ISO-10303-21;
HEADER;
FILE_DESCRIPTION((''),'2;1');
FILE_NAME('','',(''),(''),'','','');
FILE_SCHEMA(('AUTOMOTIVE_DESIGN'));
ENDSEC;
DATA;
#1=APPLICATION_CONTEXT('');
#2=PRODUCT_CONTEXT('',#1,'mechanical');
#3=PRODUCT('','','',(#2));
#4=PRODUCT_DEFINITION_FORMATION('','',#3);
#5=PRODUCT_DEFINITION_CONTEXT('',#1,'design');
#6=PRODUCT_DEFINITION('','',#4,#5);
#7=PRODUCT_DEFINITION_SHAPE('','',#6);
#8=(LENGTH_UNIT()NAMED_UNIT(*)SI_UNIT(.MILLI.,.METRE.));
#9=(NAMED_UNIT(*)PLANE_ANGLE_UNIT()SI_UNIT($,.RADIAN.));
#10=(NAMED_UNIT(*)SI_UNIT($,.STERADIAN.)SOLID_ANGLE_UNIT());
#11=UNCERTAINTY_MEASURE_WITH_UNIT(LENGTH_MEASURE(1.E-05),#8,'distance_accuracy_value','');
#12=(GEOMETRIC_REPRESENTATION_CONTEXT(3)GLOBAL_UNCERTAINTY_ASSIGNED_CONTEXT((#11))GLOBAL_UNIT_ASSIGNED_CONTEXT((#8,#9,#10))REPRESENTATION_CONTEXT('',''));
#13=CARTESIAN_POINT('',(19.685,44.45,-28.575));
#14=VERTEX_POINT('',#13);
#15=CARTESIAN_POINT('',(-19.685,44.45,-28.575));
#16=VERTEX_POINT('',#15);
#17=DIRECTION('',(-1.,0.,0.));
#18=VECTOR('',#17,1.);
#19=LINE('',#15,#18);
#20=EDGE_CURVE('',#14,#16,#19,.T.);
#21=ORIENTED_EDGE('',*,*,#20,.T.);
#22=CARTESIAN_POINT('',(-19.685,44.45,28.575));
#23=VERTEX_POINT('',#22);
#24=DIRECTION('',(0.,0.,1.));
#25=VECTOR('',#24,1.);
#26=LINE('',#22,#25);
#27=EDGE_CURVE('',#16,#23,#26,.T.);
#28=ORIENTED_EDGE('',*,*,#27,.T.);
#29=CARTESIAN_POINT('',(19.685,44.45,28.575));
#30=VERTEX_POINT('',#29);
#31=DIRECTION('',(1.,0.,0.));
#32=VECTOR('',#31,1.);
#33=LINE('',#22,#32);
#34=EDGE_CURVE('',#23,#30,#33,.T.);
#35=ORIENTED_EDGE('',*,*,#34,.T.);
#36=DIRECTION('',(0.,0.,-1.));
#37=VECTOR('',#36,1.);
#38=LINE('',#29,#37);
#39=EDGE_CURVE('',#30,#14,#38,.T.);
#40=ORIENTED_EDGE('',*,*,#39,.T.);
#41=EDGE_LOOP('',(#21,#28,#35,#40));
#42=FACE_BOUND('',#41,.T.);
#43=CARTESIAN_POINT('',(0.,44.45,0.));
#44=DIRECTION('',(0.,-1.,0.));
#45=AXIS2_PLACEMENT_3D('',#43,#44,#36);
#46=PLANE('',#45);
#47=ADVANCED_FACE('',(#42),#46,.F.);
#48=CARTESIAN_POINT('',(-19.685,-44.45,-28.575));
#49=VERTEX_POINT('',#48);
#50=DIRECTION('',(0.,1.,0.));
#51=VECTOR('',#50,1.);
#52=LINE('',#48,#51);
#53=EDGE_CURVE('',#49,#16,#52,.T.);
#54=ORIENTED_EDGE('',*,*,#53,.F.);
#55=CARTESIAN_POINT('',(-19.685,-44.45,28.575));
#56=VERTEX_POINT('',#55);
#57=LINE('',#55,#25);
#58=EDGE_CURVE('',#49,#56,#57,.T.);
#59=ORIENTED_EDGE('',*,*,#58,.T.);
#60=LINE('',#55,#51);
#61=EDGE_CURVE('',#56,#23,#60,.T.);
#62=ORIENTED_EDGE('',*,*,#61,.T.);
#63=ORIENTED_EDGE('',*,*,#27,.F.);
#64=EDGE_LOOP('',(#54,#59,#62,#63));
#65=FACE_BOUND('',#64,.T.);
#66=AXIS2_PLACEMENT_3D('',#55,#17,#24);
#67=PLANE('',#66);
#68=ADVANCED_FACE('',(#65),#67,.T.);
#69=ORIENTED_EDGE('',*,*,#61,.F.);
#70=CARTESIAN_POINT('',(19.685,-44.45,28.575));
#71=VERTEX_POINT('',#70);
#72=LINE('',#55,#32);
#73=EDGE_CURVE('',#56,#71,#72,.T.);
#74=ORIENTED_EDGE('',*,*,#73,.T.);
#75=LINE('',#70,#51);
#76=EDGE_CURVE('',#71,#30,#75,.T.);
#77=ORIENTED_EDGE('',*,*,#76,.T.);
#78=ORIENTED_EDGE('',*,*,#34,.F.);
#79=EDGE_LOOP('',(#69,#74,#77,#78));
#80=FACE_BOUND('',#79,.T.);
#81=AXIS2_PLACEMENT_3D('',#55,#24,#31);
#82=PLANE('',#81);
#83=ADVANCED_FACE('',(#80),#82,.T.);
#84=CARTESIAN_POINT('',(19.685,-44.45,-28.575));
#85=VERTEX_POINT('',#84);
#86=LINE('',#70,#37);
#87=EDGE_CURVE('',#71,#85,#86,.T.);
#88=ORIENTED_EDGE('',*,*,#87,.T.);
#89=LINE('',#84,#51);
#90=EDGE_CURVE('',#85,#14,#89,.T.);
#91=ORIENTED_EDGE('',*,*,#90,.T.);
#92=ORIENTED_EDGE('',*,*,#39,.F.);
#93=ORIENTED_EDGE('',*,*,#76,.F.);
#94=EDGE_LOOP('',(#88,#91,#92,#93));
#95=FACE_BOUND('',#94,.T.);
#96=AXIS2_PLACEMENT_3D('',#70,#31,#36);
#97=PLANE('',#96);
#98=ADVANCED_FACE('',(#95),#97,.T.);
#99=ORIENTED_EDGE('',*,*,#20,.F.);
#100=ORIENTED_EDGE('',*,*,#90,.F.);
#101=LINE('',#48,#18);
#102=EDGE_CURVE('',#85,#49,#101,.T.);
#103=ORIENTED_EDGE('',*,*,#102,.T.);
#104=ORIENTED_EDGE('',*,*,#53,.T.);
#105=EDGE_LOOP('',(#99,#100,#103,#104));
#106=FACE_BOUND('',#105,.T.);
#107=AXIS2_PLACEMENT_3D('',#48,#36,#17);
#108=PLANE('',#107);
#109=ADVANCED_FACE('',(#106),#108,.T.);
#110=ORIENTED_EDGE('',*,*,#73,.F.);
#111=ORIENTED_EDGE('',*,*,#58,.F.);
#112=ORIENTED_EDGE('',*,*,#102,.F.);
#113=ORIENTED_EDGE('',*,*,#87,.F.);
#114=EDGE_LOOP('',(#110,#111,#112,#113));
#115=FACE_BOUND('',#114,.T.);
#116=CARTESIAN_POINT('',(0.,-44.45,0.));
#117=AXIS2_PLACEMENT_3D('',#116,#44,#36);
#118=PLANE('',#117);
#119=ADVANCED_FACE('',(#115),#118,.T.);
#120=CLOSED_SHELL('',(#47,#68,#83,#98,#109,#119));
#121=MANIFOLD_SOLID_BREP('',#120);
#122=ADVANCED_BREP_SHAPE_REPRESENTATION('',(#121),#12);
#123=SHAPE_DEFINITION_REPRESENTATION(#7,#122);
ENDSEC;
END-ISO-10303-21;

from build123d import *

# Parameters (mm, degrees)
BOSS_EXTRUDE1_DEPTH      = 44.45
BOSS_EXTRUDE1_DEPTH_BACK = 44.45
SKETCH1_W                = 39.37
SKETCH1_H                = 57.15


with BuildPart() as part:
    # Sketch1 → Boss-Extrude1 (new, two sides: drawn at the far end of the back side and taken through both)
    with BuildSketch(Plane(origin=(0, 0, 0), x_dir=(1, 0, 0), z_dir=(0, 1, 0)).offset(-BOSS_EXTRUDE1_DEPTH_BACK)):
        Rectangle(SKETCH1_W, SKETCH1_H)
    extrude(amount=BOSS_EXTRUDE1_DEPTH + BOSS_EXTRUDE1_DEPTH_BACK)


solid = part.part
